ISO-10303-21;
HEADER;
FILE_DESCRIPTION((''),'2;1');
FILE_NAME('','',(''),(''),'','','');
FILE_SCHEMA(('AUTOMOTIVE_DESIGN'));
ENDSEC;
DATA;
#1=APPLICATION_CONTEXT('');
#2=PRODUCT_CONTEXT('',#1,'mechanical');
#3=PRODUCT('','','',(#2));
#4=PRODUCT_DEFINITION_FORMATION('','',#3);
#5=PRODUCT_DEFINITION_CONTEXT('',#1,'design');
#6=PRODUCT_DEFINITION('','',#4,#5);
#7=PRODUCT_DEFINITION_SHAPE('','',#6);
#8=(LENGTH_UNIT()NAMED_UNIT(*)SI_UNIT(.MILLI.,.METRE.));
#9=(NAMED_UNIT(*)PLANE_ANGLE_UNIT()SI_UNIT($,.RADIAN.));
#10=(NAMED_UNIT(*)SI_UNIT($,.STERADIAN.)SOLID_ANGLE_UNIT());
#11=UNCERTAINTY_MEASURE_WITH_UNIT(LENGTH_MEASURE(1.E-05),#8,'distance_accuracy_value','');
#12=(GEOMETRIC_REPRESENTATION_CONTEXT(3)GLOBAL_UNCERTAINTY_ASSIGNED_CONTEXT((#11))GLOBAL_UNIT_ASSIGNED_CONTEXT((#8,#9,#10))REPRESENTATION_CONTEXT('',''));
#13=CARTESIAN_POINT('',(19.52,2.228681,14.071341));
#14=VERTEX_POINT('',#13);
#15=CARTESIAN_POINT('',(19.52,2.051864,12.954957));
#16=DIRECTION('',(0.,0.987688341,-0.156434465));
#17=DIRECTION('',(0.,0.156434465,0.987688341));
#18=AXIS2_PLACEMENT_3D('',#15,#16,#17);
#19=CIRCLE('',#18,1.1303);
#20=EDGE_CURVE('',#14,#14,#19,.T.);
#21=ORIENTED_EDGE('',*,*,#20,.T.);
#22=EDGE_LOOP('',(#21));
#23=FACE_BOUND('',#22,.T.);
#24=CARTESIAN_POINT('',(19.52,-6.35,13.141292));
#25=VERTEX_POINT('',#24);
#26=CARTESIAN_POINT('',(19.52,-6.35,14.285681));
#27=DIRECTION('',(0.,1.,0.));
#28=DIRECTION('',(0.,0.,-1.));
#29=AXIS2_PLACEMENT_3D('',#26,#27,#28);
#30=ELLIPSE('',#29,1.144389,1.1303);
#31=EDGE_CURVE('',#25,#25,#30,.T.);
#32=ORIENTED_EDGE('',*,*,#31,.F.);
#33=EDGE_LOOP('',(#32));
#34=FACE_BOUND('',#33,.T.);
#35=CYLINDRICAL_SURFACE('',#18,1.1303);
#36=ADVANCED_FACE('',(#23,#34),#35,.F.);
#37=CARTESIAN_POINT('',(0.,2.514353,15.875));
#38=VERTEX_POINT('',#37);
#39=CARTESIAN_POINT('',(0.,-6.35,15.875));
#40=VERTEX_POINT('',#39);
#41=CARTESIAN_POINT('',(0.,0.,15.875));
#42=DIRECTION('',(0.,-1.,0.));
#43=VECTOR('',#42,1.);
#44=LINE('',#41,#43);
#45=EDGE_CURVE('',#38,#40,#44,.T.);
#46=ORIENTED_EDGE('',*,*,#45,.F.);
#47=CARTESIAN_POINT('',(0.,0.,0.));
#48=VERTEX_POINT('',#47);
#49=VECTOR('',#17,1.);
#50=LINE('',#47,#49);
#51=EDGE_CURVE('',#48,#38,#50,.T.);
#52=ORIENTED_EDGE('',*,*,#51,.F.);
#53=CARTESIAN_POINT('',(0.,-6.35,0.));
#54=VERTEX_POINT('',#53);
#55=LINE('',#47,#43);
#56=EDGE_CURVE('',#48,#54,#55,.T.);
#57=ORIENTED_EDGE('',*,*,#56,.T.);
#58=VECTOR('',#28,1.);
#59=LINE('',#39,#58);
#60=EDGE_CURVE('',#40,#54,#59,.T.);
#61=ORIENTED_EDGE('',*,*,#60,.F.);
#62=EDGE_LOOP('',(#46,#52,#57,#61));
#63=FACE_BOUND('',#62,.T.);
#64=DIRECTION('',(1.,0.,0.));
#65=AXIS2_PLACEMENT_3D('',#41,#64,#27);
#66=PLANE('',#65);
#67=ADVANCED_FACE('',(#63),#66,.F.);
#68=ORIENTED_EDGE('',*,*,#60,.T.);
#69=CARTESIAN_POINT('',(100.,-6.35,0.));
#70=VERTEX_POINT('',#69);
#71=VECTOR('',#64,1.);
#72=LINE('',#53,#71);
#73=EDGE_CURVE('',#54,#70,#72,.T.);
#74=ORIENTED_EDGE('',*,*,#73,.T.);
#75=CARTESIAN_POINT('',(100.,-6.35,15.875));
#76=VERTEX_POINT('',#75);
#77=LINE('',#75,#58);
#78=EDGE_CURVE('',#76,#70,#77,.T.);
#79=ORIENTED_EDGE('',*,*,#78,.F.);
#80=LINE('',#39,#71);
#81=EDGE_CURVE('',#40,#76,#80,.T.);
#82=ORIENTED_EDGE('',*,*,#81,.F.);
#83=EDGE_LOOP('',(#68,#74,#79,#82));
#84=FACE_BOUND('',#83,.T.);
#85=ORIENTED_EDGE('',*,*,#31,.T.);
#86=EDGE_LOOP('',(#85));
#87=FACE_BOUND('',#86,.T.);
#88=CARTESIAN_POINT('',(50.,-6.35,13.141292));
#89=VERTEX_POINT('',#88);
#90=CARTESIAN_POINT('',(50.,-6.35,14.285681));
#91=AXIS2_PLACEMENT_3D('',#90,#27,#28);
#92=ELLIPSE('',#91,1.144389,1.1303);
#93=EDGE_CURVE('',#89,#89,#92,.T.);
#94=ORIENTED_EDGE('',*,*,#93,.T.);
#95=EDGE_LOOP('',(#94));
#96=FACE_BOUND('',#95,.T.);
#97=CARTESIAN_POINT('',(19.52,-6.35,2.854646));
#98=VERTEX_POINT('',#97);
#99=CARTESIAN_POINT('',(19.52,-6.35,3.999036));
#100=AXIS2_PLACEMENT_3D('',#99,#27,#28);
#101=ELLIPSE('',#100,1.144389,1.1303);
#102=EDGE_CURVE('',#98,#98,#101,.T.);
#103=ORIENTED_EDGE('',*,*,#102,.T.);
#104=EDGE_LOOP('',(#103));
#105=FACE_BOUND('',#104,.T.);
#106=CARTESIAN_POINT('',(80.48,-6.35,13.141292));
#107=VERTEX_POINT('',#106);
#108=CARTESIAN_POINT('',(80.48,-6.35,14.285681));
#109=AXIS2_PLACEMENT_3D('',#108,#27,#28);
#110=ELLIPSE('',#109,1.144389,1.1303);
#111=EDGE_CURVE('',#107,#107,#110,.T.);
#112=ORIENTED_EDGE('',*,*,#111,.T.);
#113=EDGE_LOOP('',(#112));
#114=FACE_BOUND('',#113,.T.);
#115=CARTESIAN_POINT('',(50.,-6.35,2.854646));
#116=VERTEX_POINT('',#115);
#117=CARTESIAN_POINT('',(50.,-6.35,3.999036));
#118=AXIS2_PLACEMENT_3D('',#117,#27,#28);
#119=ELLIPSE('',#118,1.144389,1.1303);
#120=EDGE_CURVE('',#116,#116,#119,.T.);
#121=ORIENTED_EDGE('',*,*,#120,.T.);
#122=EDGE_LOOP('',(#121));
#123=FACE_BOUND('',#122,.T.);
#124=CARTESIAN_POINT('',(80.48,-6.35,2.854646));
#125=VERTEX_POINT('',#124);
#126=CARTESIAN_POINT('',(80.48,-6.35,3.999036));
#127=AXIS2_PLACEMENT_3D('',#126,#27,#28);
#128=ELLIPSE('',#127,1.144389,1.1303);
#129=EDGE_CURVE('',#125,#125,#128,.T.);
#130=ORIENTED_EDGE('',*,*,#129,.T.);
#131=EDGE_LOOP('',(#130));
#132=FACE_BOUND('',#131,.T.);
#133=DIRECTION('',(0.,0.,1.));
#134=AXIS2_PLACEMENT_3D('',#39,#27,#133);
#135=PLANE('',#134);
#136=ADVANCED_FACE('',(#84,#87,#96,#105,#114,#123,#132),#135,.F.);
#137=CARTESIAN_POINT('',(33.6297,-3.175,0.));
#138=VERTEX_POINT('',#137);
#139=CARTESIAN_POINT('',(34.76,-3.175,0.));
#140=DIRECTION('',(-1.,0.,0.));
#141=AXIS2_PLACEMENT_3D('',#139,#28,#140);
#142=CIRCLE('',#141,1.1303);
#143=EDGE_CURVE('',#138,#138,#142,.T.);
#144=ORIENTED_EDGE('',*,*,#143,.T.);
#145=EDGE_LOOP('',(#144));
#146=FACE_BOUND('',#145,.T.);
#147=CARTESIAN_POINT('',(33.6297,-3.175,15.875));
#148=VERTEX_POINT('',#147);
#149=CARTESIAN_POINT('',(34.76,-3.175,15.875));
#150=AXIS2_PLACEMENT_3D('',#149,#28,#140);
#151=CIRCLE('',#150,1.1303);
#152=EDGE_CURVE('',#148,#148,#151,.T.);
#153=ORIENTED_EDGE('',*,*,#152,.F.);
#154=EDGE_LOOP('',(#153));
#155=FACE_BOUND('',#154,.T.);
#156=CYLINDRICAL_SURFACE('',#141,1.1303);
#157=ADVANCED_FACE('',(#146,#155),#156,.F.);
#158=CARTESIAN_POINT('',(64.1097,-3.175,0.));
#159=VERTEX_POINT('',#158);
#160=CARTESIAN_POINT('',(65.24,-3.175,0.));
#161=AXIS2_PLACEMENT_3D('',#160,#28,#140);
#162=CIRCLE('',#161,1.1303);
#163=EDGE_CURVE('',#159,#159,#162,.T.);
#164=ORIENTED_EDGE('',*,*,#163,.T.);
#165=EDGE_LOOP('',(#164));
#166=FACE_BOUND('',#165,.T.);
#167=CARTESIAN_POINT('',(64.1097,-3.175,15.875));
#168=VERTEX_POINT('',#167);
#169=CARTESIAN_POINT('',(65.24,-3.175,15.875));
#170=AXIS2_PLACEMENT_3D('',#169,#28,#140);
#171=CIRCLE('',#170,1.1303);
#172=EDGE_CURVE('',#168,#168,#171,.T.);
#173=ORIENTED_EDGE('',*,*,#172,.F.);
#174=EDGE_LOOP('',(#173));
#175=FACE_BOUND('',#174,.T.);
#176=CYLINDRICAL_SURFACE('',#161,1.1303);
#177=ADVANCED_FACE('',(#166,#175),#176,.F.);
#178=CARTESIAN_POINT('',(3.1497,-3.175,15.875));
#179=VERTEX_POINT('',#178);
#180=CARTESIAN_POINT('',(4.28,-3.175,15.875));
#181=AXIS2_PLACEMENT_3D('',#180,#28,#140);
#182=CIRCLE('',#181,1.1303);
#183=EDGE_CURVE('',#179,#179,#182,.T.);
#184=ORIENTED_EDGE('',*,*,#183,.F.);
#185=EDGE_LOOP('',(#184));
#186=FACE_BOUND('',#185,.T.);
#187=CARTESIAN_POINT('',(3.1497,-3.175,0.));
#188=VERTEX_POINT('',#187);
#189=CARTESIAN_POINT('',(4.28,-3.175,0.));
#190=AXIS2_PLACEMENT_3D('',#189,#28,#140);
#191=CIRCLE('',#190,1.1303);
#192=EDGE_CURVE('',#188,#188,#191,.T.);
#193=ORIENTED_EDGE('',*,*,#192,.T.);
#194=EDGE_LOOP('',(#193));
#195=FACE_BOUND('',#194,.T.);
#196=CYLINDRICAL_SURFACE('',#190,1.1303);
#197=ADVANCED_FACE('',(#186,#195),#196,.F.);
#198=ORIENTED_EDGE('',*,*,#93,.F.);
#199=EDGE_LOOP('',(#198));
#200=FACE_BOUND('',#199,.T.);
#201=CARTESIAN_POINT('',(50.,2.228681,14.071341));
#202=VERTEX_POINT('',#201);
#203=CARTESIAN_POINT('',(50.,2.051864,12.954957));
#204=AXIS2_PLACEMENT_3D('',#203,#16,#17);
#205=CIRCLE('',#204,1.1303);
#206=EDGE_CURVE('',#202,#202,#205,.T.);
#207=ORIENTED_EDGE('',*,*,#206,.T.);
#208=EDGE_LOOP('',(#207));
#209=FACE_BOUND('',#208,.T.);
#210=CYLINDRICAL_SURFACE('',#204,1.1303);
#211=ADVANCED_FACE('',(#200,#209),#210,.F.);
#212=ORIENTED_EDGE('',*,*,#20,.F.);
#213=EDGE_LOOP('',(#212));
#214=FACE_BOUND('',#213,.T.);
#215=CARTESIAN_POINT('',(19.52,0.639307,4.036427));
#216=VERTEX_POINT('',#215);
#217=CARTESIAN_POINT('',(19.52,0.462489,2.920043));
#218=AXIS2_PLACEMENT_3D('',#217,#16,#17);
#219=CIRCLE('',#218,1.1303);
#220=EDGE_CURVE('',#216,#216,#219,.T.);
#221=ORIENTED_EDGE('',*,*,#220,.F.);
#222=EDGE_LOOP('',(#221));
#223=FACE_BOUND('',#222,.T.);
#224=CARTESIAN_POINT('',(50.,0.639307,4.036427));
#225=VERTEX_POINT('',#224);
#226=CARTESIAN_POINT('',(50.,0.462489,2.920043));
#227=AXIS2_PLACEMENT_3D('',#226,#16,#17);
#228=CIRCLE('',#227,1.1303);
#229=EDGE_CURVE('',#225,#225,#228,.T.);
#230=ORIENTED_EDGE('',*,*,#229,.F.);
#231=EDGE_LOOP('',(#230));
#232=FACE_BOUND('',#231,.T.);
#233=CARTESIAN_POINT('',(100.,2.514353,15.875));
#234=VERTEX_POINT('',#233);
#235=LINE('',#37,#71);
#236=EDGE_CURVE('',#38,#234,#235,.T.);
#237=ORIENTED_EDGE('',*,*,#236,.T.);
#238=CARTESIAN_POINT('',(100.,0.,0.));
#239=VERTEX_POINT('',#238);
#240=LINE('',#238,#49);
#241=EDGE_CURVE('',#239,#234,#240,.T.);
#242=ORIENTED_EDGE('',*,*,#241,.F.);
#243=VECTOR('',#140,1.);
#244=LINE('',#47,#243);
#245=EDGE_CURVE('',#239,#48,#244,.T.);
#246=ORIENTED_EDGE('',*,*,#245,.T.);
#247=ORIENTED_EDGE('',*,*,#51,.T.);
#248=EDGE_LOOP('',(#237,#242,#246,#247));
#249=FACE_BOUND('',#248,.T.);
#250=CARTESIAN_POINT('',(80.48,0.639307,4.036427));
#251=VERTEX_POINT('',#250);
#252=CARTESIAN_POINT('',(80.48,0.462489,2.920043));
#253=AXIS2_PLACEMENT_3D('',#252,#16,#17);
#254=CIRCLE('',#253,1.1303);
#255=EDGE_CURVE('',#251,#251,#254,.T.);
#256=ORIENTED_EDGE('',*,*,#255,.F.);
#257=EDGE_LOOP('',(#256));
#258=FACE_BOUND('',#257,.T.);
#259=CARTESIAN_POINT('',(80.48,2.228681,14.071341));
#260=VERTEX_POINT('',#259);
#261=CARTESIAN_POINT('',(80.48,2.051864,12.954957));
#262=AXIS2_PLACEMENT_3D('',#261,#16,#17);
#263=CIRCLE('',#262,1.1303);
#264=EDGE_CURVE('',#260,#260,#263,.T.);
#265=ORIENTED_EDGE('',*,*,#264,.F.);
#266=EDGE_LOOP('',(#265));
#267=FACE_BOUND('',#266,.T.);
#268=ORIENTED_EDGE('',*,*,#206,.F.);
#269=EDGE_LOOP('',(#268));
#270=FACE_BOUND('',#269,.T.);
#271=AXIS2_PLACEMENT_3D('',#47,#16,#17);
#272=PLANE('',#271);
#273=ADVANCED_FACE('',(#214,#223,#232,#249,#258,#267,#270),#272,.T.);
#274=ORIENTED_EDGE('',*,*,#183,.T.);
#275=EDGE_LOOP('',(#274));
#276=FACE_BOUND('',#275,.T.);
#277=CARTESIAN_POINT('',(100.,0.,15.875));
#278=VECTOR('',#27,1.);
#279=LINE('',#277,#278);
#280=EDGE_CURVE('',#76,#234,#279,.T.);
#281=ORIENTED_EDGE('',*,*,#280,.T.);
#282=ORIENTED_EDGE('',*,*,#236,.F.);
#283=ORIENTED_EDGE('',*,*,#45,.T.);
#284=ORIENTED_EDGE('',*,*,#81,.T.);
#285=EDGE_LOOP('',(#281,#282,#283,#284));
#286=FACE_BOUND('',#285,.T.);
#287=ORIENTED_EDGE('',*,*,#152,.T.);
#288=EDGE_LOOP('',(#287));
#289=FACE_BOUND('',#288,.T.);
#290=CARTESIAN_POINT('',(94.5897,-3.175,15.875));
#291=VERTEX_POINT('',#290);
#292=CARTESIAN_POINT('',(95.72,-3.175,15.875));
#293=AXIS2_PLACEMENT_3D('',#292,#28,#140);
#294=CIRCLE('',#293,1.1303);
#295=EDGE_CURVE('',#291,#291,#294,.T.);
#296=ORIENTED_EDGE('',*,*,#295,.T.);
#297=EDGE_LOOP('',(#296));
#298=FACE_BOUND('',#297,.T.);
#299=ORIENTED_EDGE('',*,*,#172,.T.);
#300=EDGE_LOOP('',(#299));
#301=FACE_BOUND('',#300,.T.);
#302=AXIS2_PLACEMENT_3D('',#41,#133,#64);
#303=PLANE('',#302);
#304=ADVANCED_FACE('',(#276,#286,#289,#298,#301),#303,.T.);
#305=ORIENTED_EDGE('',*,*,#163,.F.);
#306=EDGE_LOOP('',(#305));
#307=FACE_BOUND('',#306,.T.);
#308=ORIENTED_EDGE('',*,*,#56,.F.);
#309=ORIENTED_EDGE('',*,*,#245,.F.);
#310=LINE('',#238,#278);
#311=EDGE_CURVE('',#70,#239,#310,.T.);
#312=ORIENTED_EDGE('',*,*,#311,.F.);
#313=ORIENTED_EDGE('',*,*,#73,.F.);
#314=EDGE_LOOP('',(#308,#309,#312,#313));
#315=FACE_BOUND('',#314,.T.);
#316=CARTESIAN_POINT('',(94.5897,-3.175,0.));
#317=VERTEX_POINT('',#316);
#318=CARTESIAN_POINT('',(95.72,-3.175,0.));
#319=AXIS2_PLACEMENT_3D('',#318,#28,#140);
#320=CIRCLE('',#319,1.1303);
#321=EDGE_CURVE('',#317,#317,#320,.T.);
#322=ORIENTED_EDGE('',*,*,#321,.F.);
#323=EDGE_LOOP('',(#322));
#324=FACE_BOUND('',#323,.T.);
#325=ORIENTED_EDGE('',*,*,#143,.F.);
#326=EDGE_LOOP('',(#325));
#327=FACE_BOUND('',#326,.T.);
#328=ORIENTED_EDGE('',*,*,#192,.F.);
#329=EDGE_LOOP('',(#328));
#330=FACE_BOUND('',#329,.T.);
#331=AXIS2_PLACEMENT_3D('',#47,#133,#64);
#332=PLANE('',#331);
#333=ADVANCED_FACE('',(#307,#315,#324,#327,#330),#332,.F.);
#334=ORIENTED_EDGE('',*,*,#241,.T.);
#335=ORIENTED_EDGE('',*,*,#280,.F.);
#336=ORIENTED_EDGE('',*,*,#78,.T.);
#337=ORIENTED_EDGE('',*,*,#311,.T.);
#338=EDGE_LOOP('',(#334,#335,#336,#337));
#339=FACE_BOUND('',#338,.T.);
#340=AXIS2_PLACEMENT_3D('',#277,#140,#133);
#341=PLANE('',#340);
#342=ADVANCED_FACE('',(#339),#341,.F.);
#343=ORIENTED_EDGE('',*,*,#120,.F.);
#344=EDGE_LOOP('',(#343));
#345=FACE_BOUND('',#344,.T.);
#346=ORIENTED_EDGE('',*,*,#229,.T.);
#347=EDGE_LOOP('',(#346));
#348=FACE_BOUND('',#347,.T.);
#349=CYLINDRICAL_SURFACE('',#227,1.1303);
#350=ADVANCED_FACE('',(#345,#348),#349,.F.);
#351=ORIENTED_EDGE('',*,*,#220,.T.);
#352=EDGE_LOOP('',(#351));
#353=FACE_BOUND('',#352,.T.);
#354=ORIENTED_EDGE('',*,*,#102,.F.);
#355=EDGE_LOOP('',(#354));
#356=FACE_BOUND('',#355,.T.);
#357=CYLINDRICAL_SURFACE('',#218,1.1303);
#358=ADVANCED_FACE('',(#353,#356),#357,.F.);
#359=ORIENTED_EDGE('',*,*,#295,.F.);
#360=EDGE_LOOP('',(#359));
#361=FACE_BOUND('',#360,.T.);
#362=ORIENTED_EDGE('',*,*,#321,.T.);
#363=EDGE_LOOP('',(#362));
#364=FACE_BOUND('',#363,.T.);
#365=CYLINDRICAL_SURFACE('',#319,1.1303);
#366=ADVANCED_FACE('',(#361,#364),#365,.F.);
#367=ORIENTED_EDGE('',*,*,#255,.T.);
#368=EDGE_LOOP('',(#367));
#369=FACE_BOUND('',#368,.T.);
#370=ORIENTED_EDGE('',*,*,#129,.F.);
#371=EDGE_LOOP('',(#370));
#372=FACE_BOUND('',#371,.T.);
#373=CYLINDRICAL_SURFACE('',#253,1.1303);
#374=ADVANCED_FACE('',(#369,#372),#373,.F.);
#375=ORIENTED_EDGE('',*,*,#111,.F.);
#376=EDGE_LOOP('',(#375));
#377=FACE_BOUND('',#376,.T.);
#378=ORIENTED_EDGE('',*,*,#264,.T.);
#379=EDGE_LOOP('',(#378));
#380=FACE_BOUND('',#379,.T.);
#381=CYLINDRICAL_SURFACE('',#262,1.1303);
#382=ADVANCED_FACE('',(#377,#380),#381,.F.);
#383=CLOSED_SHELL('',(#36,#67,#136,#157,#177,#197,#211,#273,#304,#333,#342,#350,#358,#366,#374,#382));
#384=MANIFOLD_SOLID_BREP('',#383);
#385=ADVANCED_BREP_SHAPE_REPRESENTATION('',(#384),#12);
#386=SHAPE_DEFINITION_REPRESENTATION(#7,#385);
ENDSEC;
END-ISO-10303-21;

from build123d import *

# Parameters (mm, degrees)
SKETCH1_W             = 100
SKETCH1_H             = 6.35
BOSS_EXTRUDE1_DEPTH   = 15.875
F_4_40_TAPPED_HOLE1_D = 2.2606
BOSS_EXTRUDE2_DEPTH   = 100
F_4_40_TAPPED_HOLE2_D = 2.2606


with BuildPart() as part:
    # Sketch1 → Boss-Extrude1 (new body)
    with BuildSketch(Plane.XY):
        with Locations((50, -3.175)):
            Rectangle(SKETCH1_W, SKETCH1_H)
    extrude(amount=BOSS_EXTRUDE1_DEPTH)

    # #4-40 Tapped Hole1 (through all)
    with Locations(Plane(origin=(0, 0, 0), x_dir=(-1, 0, 0), z_dir=(0, 0, -1))):
        with Locations((-95.72, -3.175), (-4.28, -3.175), (-34.76, -3.175), (-65.24, -3.175)):
            Hole(F_4_40_TAPPED_HOLE1_D / 2)

    # Sketch4 → Boss-Extrude2 (add, through all)
    with BuildSketch(Plane(origin=(100, 0, 0), x_dir=(0, 0, -1), z_dir=(1, 0, 0))):
        Polygon((0, 0), (-15.875, 2.51435299), (-15.875, 0), align=None)
    extrude(amount=-BOSS_EXTRUDE2_DEPTH)

    # #4-40 Tapped Hole2 (through all)
    with Locations(Plane(origin=(0, 0, 0), x_dir=(1, 0, 0), z_dir=(0, 0.987688341, -0.156434465))):
        with Locations((80.48, -13.116441936), (80.48, -2.956441936), (50, -13.116441936), (50, -2.956441936), (19.52, -13.116441936), (19.52, -2.956441936)):
            Hole(F_4_40_TAPPED_HOLE2_D / 2)


solid = part.part
